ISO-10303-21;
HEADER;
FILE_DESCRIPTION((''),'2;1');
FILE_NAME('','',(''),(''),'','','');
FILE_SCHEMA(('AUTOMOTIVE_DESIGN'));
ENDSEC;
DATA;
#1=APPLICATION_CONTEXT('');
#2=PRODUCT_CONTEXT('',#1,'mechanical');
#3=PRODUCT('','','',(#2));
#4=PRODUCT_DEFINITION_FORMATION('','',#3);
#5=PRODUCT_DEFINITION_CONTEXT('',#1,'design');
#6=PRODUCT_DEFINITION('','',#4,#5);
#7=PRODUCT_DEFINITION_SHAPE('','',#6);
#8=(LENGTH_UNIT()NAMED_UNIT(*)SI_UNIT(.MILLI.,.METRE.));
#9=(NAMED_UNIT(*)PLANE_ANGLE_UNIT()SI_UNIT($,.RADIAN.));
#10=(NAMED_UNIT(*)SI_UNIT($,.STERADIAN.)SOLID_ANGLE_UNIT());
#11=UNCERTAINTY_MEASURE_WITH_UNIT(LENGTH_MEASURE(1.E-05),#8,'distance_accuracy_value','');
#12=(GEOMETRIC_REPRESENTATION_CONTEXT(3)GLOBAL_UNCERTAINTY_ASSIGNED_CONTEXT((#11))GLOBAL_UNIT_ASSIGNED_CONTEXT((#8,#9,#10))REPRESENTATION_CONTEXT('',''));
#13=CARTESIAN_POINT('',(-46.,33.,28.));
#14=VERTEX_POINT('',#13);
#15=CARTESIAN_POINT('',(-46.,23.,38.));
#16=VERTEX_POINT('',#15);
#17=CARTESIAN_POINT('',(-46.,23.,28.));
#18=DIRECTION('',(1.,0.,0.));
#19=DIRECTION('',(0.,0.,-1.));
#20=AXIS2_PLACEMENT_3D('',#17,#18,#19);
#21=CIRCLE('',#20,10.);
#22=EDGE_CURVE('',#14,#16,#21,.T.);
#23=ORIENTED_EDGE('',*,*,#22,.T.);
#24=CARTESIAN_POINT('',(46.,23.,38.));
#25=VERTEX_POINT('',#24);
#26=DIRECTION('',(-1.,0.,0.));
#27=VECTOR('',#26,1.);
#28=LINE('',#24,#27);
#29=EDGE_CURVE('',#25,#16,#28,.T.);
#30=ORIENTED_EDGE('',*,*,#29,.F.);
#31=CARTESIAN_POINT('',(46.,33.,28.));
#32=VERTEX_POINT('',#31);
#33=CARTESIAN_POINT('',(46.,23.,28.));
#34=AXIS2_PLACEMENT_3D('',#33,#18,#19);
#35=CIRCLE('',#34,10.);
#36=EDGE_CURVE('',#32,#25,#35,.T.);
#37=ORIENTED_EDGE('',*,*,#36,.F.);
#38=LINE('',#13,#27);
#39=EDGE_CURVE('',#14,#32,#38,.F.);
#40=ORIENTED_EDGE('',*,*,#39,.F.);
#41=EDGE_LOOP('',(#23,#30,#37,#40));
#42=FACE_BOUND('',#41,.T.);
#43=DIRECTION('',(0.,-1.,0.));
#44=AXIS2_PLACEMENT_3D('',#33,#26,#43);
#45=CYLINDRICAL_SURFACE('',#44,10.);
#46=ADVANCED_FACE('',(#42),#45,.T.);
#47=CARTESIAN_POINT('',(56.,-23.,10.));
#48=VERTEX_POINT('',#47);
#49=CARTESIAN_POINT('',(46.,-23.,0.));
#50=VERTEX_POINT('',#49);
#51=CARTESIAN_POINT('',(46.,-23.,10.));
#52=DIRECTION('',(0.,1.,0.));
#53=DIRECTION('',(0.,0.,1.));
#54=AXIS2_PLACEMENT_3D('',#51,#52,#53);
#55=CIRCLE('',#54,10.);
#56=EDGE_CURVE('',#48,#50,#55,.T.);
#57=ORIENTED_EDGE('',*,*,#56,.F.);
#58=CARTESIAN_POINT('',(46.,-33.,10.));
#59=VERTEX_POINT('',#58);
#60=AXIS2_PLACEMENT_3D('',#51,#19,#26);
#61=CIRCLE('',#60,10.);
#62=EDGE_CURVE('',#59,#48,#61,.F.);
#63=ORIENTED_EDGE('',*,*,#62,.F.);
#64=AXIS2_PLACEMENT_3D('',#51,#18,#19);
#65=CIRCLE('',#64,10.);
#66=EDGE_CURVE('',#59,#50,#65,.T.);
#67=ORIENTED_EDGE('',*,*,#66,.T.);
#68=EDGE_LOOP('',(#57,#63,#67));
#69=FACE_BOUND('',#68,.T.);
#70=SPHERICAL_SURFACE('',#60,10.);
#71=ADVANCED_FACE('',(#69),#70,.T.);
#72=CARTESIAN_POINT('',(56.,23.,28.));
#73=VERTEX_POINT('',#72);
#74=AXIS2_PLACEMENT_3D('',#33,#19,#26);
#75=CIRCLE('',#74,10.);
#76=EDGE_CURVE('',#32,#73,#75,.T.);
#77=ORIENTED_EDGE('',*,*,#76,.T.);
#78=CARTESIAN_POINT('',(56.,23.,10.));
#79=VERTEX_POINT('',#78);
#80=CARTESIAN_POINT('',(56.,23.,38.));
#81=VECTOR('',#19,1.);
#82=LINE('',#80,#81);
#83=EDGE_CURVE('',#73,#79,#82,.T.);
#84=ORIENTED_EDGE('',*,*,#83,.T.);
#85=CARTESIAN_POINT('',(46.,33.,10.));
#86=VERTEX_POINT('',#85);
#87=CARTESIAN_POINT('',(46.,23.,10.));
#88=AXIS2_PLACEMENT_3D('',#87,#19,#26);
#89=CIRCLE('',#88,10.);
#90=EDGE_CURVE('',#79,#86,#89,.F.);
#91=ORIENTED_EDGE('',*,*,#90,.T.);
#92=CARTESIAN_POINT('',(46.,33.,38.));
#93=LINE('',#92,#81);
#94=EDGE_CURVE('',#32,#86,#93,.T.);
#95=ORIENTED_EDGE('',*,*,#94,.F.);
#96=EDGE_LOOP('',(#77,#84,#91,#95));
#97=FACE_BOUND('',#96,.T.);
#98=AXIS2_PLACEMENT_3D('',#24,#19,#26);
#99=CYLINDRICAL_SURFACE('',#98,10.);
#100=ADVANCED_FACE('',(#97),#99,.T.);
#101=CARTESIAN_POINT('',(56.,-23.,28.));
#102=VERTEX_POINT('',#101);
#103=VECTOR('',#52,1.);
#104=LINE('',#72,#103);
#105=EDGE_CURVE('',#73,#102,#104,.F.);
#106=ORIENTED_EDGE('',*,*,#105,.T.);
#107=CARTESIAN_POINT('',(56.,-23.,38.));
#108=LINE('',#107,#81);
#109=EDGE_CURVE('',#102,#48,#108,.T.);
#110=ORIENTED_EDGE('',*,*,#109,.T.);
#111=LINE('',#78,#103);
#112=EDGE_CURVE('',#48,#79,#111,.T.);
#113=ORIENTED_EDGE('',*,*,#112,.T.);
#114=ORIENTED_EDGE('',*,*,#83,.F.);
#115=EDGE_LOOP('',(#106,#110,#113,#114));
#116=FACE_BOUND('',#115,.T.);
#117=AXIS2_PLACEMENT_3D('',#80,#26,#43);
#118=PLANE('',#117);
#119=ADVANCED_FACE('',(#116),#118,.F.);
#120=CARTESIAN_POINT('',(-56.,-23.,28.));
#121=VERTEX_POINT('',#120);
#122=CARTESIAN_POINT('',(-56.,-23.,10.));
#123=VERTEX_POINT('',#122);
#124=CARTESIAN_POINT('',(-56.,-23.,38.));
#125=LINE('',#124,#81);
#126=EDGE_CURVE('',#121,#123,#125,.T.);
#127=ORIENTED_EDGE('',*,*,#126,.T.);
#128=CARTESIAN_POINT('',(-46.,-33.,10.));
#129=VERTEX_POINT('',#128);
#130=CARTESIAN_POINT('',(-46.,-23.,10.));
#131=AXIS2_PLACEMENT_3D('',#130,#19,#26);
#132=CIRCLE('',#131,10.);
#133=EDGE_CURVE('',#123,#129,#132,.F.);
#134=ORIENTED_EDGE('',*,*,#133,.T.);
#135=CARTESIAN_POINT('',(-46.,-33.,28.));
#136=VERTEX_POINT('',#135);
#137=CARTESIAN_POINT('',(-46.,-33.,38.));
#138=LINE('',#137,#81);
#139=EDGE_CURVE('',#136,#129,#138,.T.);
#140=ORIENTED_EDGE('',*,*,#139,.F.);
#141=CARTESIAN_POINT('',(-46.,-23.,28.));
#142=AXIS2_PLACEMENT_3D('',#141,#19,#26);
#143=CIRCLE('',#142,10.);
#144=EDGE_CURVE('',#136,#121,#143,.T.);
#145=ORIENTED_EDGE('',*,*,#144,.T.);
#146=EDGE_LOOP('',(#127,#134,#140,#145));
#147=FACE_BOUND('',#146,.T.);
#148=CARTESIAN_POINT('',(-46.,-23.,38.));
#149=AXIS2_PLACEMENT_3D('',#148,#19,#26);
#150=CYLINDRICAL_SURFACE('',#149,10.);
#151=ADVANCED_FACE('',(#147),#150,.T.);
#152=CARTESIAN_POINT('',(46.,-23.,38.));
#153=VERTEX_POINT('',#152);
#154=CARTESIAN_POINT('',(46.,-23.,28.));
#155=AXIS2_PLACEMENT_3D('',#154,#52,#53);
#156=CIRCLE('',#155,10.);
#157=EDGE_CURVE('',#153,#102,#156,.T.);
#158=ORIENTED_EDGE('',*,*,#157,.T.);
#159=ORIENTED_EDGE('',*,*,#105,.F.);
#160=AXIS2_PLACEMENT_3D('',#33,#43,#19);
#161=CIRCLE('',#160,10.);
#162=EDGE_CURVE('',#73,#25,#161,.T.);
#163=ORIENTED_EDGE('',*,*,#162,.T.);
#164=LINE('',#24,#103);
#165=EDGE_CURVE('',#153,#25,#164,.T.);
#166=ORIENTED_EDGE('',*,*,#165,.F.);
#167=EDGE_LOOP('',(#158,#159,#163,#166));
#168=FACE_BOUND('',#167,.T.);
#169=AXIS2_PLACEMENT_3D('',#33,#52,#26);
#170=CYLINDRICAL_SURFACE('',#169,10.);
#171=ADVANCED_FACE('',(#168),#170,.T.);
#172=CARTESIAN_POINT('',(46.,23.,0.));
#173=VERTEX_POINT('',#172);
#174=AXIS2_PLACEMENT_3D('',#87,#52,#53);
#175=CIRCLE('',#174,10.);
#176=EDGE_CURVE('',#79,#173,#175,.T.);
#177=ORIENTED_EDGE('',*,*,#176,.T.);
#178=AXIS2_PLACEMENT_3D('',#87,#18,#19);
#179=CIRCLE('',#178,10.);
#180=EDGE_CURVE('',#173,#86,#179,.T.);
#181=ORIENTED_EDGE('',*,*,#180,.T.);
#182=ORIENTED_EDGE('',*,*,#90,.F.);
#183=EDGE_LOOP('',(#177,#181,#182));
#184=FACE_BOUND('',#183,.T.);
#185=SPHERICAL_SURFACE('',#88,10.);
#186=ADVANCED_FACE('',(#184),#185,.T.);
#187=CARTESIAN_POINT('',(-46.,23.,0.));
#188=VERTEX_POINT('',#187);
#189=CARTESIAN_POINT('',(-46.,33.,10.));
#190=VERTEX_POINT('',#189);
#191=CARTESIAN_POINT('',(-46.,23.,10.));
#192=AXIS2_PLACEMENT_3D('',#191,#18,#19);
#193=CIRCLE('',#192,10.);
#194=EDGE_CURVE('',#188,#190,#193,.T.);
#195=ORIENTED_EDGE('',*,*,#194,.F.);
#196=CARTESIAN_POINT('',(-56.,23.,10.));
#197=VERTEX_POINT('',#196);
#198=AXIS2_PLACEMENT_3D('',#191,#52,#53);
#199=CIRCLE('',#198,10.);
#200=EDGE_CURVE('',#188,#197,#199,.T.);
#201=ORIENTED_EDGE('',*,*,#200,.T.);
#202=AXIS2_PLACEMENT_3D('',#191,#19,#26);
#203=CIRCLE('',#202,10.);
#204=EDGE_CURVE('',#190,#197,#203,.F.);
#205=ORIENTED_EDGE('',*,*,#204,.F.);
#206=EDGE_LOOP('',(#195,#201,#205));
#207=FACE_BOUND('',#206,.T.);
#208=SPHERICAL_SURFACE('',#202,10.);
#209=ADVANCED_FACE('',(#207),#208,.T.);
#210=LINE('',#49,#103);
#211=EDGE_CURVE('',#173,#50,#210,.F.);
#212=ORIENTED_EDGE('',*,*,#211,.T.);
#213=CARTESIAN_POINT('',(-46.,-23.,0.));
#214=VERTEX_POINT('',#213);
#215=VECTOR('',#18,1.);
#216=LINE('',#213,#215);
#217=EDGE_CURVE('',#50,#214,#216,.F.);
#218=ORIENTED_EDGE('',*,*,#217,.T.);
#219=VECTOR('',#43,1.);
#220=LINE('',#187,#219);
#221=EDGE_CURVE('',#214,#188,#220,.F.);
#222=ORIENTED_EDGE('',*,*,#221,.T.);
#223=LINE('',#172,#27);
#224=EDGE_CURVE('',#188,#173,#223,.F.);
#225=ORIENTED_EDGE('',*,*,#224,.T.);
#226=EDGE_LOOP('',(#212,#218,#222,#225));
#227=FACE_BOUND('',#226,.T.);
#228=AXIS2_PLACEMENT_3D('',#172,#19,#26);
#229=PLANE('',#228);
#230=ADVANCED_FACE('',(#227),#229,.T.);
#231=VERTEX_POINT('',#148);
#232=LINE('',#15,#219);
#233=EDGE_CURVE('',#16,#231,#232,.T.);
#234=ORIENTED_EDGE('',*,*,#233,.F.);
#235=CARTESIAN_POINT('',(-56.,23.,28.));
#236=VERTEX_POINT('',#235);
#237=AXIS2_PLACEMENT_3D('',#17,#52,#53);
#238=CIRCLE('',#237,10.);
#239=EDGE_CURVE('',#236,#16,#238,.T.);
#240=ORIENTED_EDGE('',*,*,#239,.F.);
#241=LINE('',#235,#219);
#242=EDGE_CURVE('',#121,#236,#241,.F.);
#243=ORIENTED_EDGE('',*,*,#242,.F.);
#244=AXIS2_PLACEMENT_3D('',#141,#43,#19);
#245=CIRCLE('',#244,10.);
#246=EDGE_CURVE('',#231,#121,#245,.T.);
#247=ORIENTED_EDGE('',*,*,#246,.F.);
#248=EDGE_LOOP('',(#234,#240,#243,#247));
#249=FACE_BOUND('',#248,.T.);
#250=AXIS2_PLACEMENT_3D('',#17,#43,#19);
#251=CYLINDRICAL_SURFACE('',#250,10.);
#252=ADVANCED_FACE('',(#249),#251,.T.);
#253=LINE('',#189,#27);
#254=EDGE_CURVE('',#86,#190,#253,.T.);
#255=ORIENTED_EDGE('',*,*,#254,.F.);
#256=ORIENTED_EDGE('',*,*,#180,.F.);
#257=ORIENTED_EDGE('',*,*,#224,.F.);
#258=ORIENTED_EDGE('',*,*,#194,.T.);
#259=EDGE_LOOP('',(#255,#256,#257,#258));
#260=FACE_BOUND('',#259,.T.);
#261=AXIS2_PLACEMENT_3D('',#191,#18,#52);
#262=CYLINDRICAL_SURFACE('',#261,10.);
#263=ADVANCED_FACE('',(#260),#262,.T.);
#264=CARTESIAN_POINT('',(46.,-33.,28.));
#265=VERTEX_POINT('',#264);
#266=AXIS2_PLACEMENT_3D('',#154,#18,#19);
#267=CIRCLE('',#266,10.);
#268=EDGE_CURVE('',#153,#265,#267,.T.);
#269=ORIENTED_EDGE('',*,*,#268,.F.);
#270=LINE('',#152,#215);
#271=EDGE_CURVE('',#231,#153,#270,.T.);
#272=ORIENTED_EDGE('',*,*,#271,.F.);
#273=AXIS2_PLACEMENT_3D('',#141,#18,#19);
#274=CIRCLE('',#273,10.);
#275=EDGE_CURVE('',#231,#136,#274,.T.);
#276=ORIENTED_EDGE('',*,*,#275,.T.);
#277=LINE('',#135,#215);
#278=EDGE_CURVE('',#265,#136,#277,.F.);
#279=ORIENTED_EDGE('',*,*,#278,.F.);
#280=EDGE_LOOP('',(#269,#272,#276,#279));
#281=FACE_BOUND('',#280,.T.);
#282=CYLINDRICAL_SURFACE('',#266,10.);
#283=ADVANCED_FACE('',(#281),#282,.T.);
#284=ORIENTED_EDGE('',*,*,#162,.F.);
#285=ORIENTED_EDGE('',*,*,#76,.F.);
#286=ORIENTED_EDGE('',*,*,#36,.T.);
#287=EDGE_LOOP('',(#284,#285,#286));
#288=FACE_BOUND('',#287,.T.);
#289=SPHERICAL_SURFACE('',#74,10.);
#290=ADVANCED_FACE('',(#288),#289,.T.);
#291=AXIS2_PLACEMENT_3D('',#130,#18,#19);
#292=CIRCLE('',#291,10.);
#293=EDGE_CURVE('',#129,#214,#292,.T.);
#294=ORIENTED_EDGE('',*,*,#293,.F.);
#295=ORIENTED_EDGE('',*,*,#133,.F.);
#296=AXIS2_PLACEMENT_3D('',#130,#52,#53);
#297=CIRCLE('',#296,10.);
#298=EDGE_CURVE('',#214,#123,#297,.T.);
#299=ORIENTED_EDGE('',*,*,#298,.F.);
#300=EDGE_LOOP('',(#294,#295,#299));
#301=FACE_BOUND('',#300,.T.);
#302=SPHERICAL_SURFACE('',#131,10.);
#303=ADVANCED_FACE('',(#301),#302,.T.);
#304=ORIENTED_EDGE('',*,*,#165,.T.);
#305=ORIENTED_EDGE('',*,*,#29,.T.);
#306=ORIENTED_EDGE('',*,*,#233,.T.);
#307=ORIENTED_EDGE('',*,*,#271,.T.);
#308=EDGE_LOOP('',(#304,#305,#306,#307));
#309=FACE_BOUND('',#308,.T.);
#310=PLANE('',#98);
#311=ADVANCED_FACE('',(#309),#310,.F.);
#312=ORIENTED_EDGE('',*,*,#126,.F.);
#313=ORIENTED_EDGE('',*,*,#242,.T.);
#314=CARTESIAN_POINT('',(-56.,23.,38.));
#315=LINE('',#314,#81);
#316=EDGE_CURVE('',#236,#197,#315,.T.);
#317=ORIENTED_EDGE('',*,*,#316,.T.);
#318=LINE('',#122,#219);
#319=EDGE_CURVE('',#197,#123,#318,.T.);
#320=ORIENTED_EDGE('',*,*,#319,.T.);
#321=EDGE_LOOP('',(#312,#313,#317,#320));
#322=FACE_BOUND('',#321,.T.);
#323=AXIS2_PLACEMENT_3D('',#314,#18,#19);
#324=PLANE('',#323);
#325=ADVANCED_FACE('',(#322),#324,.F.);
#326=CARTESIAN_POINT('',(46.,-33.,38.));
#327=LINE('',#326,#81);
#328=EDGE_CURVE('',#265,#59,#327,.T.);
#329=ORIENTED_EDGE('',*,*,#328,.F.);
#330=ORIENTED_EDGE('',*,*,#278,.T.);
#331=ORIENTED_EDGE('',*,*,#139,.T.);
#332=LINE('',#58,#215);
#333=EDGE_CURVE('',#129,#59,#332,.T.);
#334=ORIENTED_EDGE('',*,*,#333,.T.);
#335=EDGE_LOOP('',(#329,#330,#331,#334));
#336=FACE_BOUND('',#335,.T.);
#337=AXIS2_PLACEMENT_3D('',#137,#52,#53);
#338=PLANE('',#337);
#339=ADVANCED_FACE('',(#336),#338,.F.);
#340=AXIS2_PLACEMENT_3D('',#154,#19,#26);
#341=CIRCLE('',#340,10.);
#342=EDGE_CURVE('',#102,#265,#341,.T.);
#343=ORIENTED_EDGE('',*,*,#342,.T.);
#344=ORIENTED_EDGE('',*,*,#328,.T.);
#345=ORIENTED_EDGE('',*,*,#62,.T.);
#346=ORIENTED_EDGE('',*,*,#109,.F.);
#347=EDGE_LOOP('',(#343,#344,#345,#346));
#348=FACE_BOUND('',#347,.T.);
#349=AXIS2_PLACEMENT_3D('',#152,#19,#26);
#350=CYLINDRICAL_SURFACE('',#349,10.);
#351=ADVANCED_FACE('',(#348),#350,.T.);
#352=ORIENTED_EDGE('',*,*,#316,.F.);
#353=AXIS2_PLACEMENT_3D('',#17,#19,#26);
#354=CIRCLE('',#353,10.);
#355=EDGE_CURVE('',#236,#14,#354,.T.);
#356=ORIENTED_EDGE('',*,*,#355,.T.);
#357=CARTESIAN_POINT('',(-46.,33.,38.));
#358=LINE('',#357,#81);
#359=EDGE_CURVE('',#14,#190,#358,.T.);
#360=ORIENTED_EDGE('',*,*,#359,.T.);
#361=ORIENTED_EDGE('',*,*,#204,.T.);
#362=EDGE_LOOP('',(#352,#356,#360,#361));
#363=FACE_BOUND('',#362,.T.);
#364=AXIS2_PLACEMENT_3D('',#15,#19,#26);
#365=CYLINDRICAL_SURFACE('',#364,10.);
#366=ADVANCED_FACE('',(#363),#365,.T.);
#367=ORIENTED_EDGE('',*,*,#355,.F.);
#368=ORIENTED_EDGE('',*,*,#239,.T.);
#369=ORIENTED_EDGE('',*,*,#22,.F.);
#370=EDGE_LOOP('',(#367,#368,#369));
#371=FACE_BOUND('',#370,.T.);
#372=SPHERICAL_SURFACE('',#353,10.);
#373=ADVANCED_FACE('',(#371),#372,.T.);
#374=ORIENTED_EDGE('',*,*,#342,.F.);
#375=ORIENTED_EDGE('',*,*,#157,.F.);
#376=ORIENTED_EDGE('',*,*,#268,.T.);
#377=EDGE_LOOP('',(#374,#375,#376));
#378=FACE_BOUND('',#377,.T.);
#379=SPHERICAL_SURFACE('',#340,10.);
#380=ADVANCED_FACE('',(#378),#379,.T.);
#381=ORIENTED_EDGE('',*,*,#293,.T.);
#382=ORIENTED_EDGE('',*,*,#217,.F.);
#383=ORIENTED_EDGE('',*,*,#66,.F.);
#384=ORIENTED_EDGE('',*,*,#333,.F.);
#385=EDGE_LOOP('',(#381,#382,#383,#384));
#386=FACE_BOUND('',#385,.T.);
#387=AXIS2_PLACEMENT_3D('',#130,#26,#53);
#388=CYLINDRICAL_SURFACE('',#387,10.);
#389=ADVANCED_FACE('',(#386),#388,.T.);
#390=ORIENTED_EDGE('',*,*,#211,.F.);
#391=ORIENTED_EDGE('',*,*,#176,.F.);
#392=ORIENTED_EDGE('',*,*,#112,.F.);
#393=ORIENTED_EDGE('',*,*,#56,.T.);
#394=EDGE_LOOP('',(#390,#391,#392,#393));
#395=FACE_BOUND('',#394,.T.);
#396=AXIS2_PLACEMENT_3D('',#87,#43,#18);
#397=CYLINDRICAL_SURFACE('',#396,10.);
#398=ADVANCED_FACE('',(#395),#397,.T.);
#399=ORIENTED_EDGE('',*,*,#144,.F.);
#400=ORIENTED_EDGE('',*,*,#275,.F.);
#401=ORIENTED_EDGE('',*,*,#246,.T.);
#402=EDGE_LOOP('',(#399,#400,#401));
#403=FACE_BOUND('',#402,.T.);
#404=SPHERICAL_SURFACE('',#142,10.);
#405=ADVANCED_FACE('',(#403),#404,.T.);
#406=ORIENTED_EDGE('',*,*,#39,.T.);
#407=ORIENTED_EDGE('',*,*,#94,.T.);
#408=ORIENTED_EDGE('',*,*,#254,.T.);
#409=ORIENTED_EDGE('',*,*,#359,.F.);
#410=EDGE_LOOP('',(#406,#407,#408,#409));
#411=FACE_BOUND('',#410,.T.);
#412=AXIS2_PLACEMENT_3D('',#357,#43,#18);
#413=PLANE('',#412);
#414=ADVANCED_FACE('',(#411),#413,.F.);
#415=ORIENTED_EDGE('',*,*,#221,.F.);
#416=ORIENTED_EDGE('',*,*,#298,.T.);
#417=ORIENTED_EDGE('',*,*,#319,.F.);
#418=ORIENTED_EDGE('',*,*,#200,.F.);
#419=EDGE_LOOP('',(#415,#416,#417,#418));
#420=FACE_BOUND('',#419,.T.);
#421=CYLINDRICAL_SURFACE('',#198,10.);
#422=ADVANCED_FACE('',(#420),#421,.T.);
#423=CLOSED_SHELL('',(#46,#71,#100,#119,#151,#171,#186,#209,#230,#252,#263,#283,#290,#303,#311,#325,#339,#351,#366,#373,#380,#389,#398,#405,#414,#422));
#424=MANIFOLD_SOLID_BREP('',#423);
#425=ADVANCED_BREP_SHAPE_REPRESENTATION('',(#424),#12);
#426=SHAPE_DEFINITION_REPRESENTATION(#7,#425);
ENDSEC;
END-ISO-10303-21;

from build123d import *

# Parameters (mm, degrees)
BOSS_EXTRUDE1_DEPTH = 38
FILLET1_R           = 10


with BuildPart() as part:
    # Sketch1 → Boss-Extrude1 (new body)
    with BuildSketch(Plane.XY):
        with BuildLine():
            Line((-46, 33), (46, 33))
            ThreePointArc((46, 33), (53.071067812, 30.071067812), (56, 23))
            Line((56, 23), (56, -23))
            ThreePointArc((56, -23), (53.071067812, -30.071067812), (46, -33))
            Line((46, -33), (-46, -33))
            ThreePointArc((-46, -33), (-53.071067812, -30.071067812), (-56, -23))
            Line((-56, -23), (-56, 23))
            ThreePointArc((-56, 23), (-53.071067812, 30.071067812), (-46, 33))
        make_face()
    extrude(amount=BOSS_EXTRUDE1_DEPTH)

    # Fillet1
    fillet1_edges = [part.edges().sort_by_distance(p)[0] for p in [
        (-56, 0, 0),
        (-53.071067812, 30.071067812, 0),
        (0, 33, 0),
        (53.071067812, 30.071067812, 0),
        (-53.071067812, 30.071067812, 38),
        (-56, 0, 38),
        (-53.071067812, -30.071067812, 38),
        (0, -33, 38),
        (53.071067812, -30.071067812, 38),
        (56, 0, 38),
        (53.071067812, 30.071067812, 38),
        (56, 0, 0),
        (0, 33, 38),
        (53.071067812, -30.071067812, 0),
        (0, -33, 0),
        (-53.071067812, -30.071067812, 0),
    ]]
    fillet(fillet1_edges, radius=FILLET1_R)


solid = part.part
